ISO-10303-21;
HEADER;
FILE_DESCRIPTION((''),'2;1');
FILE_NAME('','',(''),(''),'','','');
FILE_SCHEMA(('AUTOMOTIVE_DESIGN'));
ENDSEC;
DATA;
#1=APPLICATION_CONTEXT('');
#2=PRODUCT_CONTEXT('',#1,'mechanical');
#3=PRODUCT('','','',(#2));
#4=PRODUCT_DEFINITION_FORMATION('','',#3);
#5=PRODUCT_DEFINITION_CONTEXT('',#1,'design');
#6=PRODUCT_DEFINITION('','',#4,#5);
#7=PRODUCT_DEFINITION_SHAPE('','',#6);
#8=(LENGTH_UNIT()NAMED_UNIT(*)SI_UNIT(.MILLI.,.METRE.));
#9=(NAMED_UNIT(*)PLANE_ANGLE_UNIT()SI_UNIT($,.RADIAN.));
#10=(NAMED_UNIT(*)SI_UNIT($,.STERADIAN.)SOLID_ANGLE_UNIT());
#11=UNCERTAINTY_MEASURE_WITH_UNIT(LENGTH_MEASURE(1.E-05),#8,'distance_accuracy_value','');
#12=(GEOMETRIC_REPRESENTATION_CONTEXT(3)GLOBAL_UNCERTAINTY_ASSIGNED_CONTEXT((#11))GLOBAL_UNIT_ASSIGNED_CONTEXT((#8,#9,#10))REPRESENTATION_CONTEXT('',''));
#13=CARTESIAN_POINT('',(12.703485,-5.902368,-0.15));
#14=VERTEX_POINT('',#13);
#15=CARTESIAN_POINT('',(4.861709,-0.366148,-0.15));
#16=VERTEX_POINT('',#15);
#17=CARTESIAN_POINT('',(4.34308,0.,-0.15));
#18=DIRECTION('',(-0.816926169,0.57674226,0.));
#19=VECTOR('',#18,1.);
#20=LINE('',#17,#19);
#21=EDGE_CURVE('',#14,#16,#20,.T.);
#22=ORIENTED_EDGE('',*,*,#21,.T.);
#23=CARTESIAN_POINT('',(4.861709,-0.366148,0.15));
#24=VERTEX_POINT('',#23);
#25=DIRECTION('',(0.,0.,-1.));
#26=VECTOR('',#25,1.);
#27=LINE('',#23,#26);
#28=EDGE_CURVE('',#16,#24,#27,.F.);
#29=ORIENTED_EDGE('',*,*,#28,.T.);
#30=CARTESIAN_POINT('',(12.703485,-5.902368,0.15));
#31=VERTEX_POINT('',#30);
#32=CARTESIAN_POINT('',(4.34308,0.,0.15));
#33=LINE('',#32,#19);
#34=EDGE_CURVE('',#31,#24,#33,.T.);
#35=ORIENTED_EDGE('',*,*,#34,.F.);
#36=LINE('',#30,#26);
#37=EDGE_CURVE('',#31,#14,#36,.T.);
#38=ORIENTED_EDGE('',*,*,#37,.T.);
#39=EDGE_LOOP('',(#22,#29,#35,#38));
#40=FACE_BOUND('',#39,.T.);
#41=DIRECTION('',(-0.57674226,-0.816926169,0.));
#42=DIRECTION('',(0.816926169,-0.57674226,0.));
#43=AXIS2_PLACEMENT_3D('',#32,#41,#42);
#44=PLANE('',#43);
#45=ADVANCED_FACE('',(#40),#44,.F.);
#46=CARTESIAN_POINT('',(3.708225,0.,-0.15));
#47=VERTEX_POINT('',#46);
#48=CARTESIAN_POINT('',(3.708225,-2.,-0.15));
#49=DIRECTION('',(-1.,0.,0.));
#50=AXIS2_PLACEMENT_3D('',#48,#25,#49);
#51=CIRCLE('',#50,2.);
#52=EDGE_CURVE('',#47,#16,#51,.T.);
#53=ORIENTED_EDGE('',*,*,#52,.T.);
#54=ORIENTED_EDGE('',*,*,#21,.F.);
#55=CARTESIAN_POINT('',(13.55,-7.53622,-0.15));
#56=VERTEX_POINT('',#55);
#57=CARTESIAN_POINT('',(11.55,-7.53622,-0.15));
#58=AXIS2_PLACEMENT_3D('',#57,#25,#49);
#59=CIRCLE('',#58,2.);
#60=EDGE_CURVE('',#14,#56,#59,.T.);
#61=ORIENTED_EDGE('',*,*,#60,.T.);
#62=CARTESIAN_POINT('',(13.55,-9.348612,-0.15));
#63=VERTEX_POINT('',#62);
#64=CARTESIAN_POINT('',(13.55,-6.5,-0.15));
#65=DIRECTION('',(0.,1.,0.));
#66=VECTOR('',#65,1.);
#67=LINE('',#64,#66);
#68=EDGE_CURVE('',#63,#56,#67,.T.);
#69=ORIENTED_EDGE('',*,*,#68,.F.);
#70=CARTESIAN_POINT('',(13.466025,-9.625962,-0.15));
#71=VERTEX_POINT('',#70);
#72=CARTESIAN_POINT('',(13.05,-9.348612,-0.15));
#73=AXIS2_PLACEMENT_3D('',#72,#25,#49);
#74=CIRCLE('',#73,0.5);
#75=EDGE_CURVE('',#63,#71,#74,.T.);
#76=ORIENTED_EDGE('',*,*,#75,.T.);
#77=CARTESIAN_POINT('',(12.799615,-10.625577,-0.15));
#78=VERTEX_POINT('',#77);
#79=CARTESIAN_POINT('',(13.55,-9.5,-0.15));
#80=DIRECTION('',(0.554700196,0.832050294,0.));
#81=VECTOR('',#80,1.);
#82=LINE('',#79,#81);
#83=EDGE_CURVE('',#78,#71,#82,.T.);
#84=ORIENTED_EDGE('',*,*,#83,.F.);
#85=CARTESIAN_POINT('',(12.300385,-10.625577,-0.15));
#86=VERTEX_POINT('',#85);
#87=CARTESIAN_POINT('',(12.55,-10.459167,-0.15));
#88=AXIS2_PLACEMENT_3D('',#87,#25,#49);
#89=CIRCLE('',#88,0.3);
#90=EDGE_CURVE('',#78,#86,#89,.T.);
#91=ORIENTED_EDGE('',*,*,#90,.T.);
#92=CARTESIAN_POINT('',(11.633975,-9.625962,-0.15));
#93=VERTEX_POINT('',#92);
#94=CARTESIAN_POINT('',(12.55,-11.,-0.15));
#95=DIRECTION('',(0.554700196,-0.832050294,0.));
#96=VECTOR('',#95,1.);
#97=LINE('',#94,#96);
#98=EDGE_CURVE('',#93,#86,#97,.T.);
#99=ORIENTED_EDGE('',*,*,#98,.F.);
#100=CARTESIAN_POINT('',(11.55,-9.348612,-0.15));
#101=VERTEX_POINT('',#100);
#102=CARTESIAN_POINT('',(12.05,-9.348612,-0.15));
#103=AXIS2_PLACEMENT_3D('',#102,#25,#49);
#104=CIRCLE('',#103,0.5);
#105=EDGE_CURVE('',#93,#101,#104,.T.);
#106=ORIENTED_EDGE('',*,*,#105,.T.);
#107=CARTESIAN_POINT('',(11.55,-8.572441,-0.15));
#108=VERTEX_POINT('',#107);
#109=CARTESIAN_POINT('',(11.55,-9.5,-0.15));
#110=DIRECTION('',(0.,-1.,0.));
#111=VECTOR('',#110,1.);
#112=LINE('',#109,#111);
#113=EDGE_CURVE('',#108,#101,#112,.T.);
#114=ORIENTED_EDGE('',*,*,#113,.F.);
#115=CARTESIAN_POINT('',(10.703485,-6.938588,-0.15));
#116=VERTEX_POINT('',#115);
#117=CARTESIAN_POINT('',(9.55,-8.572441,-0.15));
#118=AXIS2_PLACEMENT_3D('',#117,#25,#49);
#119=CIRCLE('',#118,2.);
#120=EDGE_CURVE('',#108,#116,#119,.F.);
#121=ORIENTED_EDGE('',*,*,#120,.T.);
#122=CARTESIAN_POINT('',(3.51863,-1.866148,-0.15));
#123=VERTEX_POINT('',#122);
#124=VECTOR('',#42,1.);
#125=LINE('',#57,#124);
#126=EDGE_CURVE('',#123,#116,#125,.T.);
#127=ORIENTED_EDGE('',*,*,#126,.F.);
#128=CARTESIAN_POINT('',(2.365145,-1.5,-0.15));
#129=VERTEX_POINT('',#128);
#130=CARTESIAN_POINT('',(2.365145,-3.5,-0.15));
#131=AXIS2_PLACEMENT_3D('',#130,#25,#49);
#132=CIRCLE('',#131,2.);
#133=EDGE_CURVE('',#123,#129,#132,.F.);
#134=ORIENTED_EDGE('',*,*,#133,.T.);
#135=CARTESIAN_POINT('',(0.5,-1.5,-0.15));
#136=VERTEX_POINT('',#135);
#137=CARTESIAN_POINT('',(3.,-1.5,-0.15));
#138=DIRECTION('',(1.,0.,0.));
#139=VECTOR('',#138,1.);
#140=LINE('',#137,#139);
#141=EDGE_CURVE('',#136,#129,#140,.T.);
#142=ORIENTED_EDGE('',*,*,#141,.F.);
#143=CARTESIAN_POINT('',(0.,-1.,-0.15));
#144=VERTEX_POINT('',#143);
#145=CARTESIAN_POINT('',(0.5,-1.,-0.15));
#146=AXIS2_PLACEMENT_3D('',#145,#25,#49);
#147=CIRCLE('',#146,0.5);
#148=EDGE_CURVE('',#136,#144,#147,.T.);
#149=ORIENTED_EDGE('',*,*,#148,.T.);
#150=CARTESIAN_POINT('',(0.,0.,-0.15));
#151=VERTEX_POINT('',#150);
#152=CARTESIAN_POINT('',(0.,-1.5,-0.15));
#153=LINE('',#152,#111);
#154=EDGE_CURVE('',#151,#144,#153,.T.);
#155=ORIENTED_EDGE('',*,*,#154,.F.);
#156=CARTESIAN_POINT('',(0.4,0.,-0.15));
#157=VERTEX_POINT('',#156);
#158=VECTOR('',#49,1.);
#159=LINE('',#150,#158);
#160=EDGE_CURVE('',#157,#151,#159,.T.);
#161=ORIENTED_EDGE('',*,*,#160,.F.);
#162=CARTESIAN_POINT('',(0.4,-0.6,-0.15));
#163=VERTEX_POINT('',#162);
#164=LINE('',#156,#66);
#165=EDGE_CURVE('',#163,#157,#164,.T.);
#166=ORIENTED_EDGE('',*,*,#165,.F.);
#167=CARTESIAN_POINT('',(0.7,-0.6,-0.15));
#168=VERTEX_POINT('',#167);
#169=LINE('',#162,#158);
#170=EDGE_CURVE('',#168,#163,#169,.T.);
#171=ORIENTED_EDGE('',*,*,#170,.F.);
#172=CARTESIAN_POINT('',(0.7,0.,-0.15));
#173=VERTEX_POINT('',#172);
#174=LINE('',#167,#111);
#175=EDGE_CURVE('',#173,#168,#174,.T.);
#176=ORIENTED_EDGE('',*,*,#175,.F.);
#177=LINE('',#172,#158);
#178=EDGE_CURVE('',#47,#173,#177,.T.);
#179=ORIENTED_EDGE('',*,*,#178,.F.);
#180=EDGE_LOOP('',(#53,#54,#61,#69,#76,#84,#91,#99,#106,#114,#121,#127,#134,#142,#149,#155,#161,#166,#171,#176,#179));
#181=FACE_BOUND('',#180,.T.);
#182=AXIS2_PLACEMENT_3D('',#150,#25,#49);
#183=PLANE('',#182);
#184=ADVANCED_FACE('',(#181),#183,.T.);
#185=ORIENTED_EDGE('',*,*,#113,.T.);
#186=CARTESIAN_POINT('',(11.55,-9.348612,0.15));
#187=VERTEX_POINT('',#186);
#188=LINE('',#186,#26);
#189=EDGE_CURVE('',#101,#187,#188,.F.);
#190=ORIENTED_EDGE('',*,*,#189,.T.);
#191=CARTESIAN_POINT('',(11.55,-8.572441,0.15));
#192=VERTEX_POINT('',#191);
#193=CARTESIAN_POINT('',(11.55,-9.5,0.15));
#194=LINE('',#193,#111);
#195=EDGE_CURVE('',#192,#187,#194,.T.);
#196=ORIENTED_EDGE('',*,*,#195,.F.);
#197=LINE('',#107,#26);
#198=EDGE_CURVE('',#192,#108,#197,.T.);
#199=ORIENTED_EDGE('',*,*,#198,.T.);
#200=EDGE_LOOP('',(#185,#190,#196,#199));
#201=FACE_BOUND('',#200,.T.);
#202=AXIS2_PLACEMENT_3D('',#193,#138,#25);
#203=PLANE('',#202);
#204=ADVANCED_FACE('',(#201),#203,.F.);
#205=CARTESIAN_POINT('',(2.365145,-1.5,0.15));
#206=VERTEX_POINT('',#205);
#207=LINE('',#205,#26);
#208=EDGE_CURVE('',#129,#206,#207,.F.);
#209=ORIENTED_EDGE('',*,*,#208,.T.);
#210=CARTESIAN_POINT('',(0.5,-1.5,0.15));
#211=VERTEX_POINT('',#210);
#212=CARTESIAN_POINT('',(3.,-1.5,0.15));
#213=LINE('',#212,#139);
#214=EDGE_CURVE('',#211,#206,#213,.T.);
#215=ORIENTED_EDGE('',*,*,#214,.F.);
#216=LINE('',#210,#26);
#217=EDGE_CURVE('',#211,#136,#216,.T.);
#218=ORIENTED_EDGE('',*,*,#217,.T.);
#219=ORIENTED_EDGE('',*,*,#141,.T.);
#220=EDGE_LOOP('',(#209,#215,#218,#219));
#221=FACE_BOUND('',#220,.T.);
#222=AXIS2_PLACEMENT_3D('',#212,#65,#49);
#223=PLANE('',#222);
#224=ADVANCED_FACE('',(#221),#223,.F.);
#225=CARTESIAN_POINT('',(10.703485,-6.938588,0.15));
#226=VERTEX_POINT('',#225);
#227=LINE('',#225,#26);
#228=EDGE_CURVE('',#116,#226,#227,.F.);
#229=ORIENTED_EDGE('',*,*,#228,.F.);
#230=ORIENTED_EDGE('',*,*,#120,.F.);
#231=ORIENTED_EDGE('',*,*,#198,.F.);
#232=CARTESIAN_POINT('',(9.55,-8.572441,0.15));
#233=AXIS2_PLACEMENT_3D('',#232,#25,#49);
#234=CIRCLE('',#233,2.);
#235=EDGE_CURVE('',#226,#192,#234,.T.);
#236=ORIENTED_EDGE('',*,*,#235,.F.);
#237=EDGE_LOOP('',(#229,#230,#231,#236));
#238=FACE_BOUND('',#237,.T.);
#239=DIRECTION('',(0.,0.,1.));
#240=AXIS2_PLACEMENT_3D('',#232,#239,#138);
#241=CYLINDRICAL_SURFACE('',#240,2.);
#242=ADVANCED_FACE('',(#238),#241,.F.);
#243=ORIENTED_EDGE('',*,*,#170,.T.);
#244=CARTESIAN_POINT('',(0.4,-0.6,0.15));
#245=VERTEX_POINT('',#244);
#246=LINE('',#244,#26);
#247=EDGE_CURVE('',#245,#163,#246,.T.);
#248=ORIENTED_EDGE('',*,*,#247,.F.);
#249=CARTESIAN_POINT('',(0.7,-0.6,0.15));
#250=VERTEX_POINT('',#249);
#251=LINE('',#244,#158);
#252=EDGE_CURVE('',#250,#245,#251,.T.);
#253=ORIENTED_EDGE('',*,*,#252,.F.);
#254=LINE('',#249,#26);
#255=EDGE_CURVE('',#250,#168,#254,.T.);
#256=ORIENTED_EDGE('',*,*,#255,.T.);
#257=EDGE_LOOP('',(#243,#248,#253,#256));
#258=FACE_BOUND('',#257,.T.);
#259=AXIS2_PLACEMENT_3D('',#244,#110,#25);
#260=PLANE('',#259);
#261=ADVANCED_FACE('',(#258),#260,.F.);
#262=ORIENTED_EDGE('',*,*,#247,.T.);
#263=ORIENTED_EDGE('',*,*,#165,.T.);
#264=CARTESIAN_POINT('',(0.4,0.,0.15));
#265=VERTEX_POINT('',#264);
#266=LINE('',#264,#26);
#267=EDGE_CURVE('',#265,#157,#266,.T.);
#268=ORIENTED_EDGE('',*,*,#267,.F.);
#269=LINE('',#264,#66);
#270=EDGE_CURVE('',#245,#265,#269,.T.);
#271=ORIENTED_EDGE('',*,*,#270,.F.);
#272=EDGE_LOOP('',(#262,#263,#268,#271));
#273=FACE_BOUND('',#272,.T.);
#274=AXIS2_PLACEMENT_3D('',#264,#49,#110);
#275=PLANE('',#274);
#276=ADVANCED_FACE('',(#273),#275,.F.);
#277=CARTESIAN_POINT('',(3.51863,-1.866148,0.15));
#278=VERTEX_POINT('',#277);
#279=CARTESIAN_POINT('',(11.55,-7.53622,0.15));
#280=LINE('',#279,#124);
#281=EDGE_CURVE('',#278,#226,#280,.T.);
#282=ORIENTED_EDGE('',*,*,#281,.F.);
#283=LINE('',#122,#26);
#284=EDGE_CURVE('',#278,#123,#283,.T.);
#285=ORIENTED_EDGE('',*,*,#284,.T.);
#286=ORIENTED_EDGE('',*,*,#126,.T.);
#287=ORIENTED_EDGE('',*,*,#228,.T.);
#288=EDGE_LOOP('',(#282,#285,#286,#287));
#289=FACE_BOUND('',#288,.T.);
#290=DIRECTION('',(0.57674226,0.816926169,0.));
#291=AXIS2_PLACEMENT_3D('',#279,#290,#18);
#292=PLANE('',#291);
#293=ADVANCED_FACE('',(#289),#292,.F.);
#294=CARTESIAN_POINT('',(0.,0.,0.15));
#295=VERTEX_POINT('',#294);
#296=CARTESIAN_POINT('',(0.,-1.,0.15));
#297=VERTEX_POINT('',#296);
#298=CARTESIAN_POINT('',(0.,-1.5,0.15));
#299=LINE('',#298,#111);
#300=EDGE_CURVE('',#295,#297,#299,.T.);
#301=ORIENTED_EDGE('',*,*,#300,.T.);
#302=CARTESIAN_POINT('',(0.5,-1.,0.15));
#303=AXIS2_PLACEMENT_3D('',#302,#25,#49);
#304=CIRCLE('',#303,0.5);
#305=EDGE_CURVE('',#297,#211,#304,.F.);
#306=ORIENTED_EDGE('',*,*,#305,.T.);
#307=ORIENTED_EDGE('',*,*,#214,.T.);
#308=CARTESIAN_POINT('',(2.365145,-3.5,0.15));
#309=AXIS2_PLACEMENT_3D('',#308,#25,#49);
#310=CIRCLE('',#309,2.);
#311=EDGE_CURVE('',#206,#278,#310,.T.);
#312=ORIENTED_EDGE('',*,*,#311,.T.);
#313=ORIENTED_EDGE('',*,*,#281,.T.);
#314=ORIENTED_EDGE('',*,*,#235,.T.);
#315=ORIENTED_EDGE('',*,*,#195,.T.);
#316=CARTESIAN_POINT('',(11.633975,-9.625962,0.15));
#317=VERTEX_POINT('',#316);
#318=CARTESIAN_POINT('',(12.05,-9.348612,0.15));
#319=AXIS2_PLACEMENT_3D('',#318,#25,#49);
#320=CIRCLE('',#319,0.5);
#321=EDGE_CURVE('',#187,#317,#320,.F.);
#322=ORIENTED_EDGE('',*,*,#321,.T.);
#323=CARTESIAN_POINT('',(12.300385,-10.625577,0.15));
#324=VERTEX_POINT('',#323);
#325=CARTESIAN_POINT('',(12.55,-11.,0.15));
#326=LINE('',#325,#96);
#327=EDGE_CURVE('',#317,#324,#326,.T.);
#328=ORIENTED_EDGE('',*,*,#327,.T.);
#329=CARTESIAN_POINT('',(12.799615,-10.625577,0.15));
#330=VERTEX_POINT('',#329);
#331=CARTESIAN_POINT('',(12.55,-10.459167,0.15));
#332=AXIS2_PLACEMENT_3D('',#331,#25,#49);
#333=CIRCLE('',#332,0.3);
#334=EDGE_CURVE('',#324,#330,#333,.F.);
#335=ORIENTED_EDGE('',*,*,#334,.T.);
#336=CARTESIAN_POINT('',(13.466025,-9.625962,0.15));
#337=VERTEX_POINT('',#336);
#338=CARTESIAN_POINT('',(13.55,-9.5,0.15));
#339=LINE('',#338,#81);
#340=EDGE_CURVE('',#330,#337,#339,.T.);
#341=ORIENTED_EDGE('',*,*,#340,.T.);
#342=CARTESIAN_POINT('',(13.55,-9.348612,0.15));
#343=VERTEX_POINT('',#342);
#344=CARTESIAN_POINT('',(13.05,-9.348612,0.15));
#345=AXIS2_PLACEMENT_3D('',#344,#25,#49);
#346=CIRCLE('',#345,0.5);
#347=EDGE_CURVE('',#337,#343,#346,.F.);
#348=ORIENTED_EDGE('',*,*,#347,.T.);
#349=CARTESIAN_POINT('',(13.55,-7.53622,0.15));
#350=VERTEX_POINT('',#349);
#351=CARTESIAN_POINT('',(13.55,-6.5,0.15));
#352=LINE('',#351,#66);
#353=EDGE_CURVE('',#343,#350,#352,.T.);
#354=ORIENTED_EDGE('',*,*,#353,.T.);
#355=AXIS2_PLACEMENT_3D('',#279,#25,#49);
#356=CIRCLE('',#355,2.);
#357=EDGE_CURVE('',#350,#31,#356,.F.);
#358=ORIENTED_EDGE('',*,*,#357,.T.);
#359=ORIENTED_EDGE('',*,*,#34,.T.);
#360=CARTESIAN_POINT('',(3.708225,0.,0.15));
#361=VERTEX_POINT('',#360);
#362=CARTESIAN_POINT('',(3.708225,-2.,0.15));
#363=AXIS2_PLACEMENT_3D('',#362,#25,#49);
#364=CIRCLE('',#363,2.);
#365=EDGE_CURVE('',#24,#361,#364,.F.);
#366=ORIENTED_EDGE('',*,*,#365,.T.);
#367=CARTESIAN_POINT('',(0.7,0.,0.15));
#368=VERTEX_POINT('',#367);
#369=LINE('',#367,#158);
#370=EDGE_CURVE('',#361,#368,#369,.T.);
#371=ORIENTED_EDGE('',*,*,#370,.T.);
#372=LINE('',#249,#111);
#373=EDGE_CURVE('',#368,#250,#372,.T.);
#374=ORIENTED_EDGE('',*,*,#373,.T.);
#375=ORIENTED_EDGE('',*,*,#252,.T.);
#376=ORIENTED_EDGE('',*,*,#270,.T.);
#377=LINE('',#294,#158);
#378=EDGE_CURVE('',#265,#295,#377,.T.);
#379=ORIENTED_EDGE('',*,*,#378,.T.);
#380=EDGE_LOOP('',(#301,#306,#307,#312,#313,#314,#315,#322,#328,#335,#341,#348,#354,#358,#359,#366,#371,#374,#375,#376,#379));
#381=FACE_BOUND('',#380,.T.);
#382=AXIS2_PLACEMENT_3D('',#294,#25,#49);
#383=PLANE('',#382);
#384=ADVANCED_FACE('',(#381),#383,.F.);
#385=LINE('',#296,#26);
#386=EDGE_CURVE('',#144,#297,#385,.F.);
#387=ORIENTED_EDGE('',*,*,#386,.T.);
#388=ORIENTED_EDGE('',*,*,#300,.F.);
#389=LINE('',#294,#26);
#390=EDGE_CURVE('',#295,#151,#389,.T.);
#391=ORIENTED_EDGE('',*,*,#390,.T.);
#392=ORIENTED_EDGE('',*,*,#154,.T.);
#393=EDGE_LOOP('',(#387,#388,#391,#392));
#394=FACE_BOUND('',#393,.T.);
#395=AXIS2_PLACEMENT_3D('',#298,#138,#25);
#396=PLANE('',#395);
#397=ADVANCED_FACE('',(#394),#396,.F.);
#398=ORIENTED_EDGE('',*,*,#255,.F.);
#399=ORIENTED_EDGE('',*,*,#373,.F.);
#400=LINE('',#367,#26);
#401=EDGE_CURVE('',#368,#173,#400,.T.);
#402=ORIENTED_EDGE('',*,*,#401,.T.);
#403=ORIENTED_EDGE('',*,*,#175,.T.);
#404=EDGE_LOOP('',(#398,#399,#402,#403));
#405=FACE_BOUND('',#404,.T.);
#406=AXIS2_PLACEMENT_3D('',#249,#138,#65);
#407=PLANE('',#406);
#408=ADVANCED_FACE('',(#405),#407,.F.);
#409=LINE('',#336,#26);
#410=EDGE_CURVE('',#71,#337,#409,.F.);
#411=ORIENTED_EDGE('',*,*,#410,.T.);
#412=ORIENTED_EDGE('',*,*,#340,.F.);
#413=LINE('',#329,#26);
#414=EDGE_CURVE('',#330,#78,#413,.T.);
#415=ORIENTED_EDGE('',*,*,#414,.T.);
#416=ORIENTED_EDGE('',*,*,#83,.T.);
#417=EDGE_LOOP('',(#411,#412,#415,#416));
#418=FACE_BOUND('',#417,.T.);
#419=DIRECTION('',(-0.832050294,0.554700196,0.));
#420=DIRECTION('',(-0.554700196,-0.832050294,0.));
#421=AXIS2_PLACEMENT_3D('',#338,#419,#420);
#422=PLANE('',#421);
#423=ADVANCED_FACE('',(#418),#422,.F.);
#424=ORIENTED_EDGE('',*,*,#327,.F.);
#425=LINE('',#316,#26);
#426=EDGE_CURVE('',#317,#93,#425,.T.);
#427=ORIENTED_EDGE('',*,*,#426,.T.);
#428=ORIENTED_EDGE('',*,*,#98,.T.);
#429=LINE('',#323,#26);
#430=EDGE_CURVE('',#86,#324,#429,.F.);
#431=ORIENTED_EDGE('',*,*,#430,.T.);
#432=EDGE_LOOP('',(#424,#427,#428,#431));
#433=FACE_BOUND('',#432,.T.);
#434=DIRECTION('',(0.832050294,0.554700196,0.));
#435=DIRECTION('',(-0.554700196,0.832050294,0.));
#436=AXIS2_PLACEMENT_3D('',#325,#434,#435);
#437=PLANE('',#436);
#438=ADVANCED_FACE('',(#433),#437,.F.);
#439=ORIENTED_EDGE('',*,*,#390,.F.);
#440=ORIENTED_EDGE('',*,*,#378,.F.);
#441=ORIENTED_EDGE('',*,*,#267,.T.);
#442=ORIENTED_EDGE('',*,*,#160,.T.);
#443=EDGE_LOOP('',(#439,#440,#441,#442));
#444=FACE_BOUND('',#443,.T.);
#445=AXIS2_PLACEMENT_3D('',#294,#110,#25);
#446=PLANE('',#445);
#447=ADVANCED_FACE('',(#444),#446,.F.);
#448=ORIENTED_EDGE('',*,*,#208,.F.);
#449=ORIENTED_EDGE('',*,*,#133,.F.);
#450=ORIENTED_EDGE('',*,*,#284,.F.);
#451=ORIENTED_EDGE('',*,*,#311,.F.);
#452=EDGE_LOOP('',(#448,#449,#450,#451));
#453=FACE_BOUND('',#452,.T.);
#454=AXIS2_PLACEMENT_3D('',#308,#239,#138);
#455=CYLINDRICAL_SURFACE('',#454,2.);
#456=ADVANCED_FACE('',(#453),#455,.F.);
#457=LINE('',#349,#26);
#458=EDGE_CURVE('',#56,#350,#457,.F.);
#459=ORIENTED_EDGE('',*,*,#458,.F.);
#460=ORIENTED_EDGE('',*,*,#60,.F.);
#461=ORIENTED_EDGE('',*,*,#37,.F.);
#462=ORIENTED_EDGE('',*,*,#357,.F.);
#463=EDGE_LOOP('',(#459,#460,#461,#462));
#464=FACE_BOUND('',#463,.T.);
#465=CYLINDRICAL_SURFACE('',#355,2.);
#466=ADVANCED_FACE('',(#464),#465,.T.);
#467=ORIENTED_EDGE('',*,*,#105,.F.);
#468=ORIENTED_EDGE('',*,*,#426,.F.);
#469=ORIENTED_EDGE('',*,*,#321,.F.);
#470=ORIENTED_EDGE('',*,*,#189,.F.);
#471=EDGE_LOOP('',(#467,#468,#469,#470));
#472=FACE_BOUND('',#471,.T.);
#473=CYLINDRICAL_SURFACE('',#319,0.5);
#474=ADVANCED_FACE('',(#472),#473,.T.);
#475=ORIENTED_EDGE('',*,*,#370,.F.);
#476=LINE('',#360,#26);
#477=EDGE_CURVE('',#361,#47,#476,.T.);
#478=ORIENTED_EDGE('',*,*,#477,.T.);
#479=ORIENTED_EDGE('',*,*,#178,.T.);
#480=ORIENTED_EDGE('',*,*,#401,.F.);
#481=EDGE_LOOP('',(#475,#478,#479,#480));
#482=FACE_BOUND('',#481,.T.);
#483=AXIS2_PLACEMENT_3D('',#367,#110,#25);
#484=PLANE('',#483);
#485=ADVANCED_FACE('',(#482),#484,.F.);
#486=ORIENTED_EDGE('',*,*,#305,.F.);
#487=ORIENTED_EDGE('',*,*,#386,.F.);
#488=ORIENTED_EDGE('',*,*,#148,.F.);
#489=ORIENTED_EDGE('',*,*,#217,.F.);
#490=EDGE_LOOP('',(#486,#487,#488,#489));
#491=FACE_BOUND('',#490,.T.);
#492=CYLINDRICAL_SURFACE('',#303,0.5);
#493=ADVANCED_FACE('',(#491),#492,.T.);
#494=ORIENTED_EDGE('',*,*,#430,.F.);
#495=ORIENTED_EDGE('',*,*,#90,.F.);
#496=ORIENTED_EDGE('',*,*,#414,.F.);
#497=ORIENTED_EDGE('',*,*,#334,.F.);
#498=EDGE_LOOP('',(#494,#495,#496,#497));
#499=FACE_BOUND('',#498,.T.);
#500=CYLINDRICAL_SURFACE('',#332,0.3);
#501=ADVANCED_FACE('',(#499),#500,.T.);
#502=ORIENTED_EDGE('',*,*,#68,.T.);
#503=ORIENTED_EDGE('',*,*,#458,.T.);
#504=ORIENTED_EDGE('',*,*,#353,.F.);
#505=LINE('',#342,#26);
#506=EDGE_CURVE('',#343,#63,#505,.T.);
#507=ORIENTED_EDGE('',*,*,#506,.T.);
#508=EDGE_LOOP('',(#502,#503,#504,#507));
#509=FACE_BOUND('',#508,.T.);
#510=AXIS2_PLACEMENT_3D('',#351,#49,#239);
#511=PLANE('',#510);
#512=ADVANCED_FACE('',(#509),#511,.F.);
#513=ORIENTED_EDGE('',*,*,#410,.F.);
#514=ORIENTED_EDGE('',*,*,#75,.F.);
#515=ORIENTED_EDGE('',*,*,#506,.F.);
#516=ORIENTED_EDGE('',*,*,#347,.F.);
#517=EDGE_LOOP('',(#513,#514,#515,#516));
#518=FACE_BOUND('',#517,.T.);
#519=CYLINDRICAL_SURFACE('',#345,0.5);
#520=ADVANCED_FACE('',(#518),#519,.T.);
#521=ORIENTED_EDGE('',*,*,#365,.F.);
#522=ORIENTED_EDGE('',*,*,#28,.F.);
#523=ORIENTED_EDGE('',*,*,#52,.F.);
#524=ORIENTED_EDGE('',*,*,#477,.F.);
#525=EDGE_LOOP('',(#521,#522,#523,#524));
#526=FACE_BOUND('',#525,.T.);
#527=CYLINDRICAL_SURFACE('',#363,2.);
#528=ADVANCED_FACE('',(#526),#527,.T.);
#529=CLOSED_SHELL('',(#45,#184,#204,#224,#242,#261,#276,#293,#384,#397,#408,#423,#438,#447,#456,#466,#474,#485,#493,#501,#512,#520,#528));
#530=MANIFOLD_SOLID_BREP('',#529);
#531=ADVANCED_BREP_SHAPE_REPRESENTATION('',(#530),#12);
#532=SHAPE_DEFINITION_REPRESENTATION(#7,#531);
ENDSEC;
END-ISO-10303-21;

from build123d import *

# Parameters (mm, degrees)
BOSS_EXTRUDE1_DEPTH = 0.15
FILLET1_R           = 0.3
FILLET2_R           = 0.5
FILLET3_R           = 2


with BuildPart() as part:
    # Sketch1 → Boss-Extrude1 (new, symmetric)
    with BuildSketch(Plane.XY):
        Polygon((0, 0), (0.4, 0), (0.4, -0.6), (0.7, -0.6), (0.7, 0), (4.34307957, 0), (13.55, -6.5), (13.55, -9.5), (12.55, -11), (11.55, -9.5), (11.55, -7.5362203), (3, -1.5), (0, -1.5), align=None)
    extrude(amount=BOSS_EXTRUDE1_DEPTH, both=True)

    # Fillet1
    fillet1_edges = [part.edges().sort_by_distance(p)[0] for p in [
        (12.55, -11, 0),
    ]]
    fillet(fillet1_edges, radius=FILLET1_R)

    # Fillet2
    fillet2_edges = [part.edges().sort_by_distance(p)[0] for p in [
        (13.55, -9.5, 0),
        (11.55, -9.5, 0),
        (0, -1.5, 0),
    ]]
    fillet(fillet2_edges, radius=FILLET2_R)

    # Fillet3
    fillet3_edges = [part.edges().sort_by_distance(p)[0] for p in [
        (4.34307957, 0, 0),
        (13.55, -6.5, 0),
        (11.55, -7.5362203, 0),
        (3, -1.5, 0),
    ]]
    fillet(fillet3_edges, radius=FILLET3_R)


solid = part.part
